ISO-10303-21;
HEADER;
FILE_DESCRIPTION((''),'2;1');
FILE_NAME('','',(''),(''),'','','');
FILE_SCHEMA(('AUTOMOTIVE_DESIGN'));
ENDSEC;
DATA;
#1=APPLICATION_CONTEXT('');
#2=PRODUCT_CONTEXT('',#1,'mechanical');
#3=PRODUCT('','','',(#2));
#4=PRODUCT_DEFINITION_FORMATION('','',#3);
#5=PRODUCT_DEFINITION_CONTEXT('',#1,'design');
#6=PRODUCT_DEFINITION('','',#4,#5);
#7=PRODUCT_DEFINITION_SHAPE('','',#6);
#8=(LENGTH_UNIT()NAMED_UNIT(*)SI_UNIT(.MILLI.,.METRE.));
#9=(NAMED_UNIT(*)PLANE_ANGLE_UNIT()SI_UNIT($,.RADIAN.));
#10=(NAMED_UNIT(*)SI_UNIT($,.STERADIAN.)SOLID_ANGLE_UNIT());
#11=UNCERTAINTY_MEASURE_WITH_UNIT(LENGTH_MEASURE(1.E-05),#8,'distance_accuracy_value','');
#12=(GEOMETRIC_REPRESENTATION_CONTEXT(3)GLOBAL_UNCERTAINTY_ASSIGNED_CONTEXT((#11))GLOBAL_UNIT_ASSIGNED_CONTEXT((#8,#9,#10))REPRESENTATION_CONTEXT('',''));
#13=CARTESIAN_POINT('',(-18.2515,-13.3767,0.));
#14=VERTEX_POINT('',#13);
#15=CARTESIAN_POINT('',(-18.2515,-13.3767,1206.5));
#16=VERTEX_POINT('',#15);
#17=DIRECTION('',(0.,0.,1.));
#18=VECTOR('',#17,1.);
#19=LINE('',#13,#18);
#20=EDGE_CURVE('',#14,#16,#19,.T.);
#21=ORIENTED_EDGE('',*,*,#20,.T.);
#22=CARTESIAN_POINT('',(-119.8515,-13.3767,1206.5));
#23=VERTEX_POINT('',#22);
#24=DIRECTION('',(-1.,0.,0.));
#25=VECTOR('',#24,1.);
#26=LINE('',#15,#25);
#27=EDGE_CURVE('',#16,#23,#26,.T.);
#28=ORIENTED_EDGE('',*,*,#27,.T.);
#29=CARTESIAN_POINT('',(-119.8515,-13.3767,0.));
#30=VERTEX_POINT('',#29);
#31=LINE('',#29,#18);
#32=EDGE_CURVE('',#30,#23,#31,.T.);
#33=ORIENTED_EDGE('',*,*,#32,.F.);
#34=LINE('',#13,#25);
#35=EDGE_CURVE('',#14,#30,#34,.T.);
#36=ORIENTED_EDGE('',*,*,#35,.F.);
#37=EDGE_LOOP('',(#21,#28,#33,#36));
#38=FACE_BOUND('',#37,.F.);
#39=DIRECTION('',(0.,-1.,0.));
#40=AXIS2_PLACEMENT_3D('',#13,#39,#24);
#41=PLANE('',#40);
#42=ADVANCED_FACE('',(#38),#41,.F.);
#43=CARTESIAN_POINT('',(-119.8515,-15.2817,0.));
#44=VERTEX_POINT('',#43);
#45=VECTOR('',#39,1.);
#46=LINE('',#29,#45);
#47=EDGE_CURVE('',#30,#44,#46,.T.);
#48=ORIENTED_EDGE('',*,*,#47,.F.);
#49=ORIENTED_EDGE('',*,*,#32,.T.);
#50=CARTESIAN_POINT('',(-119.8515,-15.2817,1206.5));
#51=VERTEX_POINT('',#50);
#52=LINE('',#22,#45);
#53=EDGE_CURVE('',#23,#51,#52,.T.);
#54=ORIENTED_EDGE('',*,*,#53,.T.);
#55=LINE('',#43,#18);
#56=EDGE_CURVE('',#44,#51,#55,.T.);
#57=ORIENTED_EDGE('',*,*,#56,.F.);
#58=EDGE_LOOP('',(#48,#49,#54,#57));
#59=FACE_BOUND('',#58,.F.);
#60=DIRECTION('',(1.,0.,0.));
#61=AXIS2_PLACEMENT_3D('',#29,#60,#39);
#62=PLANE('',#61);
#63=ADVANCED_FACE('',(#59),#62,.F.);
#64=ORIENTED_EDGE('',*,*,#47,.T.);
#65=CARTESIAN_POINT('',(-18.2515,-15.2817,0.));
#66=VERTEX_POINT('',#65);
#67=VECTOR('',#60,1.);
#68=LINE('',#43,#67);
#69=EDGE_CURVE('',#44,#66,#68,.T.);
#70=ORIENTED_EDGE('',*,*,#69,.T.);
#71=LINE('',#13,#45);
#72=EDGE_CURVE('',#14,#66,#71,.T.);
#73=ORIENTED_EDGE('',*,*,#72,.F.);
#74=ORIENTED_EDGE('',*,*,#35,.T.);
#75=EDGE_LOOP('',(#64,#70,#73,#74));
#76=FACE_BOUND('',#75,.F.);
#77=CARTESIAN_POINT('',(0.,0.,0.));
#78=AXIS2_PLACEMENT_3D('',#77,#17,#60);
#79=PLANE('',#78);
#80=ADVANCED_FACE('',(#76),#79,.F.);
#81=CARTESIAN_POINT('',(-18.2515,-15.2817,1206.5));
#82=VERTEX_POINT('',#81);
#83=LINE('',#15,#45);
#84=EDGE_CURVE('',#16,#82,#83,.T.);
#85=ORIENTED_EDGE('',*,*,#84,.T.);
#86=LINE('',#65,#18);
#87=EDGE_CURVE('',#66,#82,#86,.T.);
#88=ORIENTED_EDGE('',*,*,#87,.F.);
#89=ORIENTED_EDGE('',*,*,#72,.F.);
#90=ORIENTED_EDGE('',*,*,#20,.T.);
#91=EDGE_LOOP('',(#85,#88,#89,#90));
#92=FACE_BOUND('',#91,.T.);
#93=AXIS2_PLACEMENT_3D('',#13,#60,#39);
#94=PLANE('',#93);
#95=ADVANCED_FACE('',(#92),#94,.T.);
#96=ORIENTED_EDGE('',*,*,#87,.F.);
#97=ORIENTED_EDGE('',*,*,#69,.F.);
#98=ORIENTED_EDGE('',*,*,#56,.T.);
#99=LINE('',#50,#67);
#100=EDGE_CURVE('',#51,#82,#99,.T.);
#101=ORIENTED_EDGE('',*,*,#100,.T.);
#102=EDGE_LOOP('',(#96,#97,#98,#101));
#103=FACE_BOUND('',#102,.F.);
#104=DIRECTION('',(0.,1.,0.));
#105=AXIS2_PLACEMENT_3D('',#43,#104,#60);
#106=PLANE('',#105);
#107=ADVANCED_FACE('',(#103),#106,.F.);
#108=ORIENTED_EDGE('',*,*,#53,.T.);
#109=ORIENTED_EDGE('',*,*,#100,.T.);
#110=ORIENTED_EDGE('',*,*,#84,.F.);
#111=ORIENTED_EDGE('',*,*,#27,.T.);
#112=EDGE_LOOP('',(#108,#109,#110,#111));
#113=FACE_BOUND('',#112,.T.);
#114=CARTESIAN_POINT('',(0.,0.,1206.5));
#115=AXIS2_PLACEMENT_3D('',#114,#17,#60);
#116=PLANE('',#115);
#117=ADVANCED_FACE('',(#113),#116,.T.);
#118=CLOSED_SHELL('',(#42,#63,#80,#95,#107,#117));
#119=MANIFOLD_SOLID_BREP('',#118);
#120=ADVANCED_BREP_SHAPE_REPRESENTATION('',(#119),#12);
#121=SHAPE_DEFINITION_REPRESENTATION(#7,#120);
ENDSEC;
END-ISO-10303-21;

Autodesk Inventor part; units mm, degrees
ref_plane "YZ Plane" through (0, 0, 0) normal (1, 0, 0) x (0, 1, 0)
ref_plane "XZ Plane" through (0, 0, 0) normal (0, 1, 0) x (-1, 0, 0)
ref_plane "XY Plane" through (0, 0, 0) normal (0, 0, 1) x (1, 0, 0)
sketch "Sketch1" plane through (0, 0, 0) normal (0, 0, 1) x (1, 0, 0)
  line L0 (-119.8515, -15.2817) -> (-18.2515, -15.2817)
  line L1 (-18.2515, -13.3767) -> (-119.8515, -13.3767)
  line L2 (-119.8515, -13.3767) -> (-119.8515, -15.2817)
  line L3 (-18.2515, -13.3767) -> (-18.2515, -15.2817)
  dimension "d63" = 101.6
  dimension "d64" = 1.905
extrude "Extrusion1" add sketch "Sketch1" along normal blind 1206.5
properties part number "GE-12022-01" material "Steel"
